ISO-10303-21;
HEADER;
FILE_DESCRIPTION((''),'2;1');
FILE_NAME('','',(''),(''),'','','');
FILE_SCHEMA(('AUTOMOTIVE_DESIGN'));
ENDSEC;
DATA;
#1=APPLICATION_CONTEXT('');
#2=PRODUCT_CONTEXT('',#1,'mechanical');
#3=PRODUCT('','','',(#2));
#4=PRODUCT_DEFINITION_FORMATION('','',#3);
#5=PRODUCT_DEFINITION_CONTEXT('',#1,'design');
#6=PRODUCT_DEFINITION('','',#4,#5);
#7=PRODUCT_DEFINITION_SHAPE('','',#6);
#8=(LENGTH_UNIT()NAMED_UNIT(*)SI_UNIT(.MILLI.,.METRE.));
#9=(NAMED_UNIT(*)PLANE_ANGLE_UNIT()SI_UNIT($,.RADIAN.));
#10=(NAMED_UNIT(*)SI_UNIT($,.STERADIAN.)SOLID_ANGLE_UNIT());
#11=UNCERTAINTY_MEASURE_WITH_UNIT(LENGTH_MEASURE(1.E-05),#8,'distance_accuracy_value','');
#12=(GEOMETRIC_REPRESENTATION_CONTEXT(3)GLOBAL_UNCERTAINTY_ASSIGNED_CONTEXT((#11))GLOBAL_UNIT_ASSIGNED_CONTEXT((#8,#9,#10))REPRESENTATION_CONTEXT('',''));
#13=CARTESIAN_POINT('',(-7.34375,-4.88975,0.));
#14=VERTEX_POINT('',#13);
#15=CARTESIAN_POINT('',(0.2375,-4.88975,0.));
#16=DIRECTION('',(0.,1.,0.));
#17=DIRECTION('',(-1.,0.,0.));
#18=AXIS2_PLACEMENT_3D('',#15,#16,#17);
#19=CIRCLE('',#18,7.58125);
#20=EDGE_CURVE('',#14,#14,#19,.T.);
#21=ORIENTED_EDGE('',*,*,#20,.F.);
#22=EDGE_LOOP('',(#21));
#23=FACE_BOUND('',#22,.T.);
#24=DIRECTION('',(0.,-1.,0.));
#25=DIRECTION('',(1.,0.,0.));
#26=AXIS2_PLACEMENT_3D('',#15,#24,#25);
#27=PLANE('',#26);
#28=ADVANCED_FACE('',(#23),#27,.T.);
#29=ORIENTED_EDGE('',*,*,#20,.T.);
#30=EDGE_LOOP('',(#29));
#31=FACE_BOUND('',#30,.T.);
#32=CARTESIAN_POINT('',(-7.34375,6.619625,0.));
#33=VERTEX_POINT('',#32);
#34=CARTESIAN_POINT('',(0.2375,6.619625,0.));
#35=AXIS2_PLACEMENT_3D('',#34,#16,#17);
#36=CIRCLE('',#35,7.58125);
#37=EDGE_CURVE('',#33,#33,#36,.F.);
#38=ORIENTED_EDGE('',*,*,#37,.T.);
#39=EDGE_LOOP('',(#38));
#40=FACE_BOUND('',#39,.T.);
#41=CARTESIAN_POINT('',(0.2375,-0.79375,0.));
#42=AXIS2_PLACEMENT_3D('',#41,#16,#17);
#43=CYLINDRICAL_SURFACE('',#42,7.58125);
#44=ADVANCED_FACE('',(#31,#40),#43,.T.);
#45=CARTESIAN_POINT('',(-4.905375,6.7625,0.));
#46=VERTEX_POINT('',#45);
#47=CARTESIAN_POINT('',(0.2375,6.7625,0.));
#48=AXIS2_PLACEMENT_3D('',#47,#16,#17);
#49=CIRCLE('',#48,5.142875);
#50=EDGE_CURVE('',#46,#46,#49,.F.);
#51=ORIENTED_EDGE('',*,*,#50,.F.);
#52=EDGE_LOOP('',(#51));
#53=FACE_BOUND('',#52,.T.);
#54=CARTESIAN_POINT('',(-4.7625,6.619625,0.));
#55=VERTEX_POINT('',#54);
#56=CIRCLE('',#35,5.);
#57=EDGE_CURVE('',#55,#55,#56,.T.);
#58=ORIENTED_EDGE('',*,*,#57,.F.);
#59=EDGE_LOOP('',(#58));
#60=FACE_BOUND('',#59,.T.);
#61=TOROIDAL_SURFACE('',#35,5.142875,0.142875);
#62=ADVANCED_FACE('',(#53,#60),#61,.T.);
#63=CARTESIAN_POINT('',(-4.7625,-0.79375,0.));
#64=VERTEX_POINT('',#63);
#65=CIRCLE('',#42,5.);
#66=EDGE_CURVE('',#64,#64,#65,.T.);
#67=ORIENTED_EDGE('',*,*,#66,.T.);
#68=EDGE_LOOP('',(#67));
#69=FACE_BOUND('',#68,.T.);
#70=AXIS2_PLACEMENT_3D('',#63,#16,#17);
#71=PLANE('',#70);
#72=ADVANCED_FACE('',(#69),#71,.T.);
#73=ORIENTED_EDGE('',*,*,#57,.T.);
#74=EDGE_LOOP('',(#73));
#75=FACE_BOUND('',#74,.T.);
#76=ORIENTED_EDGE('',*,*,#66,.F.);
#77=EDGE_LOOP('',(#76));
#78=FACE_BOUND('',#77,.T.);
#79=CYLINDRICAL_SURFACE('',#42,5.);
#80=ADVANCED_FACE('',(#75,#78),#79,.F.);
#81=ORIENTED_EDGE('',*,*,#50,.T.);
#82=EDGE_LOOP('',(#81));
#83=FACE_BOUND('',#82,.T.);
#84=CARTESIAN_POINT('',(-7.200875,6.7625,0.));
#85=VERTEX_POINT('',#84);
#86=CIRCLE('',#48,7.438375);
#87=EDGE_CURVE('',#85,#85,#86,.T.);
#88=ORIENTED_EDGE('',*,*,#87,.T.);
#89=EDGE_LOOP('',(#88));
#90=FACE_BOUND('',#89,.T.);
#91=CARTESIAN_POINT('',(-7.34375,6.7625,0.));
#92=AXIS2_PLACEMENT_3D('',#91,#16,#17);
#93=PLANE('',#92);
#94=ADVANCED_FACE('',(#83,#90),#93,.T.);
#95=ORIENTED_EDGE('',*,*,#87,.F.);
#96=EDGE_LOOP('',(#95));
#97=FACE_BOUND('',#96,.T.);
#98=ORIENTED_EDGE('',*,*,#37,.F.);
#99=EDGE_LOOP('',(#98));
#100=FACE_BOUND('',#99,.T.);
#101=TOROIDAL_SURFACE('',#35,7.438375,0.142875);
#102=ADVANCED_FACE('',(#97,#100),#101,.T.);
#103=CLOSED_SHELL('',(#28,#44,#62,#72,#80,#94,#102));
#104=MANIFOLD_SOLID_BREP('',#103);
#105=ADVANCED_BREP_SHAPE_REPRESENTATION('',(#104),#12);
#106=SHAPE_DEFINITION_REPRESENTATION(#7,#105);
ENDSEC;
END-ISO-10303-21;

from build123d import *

# Parameters (mm, degrees)
FILLET1_R = 0.142875


with BuildPart() as part:
    # Sketch2 → Revolve1 (revolve)
    with BuildSketch(Plane.XY):
        Polygon((-7.34375, -4.88975), (-7.34375, 6.7625), (-4.7625, 6.7625), (-4.7625, -0.79375), (0.2375, -0.79375), (0.2375, -4.88975), align=None)
    revolve(axis=Axis((0.2375, -0.79375, 0), (0, -1, 0)))

    # Fillet1
    fillet1_edges = [part.edges().sort_by_distance(p)[0] for p in [
        (5.2375, 6.7625, 0),
        (7.81875, 6.7625, 0),
    ]]
    fillet(fillet1_edges, radius=FILLET1_R)


solid = part.part
